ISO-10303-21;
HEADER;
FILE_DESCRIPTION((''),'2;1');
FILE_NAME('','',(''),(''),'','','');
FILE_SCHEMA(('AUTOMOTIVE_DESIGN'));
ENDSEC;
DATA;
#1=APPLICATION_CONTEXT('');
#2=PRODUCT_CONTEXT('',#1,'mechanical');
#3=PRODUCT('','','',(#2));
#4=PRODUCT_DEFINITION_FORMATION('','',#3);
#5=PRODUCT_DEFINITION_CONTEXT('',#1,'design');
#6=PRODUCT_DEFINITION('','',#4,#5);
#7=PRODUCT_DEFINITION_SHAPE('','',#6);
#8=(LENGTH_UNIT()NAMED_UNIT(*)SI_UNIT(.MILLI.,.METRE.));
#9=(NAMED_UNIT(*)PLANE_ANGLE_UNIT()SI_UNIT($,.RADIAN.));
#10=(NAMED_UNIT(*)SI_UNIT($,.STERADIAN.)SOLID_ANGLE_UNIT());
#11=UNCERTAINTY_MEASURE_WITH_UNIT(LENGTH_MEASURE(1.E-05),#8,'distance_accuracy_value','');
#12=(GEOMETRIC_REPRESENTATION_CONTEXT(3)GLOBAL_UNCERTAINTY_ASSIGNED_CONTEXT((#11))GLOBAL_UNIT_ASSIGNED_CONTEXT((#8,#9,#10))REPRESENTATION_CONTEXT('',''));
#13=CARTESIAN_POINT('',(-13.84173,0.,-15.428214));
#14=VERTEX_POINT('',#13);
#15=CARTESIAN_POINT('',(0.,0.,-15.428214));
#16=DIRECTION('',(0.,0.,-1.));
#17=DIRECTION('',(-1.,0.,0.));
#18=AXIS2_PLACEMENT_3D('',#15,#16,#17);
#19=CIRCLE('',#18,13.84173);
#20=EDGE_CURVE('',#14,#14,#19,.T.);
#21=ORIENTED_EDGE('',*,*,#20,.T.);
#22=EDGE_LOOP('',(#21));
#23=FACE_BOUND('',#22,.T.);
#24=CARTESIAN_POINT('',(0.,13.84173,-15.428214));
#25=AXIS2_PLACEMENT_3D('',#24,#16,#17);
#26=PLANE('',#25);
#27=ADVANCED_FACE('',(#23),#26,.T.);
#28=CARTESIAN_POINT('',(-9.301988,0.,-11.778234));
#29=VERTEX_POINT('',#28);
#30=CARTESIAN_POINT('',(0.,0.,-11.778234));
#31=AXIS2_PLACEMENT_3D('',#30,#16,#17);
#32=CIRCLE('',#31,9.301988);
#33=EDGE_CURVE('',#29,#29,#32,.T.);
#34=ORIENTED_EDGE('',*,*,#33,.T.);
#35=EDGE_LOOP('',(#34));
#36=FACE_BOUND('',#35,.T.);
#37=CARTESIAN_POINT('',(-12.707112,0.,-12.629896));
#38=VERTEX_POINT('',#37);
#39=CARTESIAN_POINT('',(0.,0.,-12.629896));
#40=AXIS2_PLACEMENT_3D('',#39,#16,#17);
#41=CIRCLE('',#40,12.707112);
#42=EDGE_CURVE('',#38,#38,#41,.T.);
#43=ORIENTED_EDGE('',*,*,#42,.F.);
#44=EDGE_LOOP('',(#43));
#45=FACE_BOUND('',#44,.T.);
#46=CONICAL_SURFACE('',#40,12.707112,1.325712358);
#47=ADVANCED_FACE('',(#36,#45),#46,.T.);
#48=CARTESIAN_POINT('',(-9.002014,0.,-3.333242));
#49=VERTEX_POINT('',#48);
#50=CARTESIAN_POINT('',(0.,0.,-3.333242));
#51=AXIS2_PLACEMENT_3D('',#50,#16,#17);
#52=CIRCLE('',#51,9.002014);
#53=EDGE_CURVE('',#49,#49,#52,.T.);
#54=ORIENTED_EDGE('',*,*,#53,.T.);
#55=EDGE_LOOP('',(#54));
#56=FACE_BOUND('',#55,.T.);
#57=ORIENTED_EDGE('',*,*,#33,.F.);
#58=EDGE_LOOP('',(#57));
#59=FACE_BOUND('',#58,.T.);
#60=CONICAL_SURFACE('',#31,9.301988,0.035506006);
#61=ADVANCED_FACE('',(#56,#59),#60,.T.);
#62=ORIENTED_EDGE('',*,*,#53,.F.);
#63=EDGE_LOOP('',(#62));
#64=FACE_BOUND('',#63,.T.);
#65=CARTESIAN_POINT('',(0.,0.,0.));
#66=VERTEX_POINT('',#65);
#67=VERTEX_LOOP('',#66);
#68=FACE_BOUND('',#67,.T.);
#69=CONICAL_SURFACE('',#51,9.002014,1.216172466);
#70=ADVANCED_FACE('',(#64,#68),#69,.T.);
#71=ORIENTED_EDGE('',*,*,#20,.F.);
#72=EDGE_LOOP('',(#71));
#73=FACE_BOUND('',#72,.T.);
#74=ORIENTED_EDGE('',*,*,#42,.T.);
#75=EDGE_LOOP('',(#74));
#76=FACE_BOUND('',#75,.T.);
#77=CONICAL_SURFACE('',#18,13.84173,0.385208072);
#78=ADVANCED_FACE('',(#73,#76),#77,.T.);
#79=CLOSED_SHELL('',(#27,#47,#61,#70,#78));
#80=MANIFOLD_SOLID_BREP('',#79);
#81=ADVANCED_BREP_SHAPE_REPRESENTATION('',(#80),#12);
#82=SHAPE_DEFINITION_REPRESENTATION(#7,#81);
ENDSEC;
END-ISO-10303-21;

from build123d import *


with BuildPart() as part:
    # Sketch1 → Revolve1 (revolve)
    with BuildSketch(Plane(origin=(0, 0, 0), x_dir=(0, 0, -1), z_dir=(1, 0, 0)), mode=Mode.PRIVATE) as revolve1_sk:
        Polygon((0, 0), (3.333242, 9.002014), (11.778234, 9.301988), (12.629896, 12.707112), (15.428214, 13.84173), (15.428214, 0), align=None)
    revolve(revolve1_sk.sketch.rotate(Axis((0, 0, -15.428214), (0, 0, 1)), 90), axis=Axis((0, 0, -15.428214), (0, 0, 1)))


solid = part.part
